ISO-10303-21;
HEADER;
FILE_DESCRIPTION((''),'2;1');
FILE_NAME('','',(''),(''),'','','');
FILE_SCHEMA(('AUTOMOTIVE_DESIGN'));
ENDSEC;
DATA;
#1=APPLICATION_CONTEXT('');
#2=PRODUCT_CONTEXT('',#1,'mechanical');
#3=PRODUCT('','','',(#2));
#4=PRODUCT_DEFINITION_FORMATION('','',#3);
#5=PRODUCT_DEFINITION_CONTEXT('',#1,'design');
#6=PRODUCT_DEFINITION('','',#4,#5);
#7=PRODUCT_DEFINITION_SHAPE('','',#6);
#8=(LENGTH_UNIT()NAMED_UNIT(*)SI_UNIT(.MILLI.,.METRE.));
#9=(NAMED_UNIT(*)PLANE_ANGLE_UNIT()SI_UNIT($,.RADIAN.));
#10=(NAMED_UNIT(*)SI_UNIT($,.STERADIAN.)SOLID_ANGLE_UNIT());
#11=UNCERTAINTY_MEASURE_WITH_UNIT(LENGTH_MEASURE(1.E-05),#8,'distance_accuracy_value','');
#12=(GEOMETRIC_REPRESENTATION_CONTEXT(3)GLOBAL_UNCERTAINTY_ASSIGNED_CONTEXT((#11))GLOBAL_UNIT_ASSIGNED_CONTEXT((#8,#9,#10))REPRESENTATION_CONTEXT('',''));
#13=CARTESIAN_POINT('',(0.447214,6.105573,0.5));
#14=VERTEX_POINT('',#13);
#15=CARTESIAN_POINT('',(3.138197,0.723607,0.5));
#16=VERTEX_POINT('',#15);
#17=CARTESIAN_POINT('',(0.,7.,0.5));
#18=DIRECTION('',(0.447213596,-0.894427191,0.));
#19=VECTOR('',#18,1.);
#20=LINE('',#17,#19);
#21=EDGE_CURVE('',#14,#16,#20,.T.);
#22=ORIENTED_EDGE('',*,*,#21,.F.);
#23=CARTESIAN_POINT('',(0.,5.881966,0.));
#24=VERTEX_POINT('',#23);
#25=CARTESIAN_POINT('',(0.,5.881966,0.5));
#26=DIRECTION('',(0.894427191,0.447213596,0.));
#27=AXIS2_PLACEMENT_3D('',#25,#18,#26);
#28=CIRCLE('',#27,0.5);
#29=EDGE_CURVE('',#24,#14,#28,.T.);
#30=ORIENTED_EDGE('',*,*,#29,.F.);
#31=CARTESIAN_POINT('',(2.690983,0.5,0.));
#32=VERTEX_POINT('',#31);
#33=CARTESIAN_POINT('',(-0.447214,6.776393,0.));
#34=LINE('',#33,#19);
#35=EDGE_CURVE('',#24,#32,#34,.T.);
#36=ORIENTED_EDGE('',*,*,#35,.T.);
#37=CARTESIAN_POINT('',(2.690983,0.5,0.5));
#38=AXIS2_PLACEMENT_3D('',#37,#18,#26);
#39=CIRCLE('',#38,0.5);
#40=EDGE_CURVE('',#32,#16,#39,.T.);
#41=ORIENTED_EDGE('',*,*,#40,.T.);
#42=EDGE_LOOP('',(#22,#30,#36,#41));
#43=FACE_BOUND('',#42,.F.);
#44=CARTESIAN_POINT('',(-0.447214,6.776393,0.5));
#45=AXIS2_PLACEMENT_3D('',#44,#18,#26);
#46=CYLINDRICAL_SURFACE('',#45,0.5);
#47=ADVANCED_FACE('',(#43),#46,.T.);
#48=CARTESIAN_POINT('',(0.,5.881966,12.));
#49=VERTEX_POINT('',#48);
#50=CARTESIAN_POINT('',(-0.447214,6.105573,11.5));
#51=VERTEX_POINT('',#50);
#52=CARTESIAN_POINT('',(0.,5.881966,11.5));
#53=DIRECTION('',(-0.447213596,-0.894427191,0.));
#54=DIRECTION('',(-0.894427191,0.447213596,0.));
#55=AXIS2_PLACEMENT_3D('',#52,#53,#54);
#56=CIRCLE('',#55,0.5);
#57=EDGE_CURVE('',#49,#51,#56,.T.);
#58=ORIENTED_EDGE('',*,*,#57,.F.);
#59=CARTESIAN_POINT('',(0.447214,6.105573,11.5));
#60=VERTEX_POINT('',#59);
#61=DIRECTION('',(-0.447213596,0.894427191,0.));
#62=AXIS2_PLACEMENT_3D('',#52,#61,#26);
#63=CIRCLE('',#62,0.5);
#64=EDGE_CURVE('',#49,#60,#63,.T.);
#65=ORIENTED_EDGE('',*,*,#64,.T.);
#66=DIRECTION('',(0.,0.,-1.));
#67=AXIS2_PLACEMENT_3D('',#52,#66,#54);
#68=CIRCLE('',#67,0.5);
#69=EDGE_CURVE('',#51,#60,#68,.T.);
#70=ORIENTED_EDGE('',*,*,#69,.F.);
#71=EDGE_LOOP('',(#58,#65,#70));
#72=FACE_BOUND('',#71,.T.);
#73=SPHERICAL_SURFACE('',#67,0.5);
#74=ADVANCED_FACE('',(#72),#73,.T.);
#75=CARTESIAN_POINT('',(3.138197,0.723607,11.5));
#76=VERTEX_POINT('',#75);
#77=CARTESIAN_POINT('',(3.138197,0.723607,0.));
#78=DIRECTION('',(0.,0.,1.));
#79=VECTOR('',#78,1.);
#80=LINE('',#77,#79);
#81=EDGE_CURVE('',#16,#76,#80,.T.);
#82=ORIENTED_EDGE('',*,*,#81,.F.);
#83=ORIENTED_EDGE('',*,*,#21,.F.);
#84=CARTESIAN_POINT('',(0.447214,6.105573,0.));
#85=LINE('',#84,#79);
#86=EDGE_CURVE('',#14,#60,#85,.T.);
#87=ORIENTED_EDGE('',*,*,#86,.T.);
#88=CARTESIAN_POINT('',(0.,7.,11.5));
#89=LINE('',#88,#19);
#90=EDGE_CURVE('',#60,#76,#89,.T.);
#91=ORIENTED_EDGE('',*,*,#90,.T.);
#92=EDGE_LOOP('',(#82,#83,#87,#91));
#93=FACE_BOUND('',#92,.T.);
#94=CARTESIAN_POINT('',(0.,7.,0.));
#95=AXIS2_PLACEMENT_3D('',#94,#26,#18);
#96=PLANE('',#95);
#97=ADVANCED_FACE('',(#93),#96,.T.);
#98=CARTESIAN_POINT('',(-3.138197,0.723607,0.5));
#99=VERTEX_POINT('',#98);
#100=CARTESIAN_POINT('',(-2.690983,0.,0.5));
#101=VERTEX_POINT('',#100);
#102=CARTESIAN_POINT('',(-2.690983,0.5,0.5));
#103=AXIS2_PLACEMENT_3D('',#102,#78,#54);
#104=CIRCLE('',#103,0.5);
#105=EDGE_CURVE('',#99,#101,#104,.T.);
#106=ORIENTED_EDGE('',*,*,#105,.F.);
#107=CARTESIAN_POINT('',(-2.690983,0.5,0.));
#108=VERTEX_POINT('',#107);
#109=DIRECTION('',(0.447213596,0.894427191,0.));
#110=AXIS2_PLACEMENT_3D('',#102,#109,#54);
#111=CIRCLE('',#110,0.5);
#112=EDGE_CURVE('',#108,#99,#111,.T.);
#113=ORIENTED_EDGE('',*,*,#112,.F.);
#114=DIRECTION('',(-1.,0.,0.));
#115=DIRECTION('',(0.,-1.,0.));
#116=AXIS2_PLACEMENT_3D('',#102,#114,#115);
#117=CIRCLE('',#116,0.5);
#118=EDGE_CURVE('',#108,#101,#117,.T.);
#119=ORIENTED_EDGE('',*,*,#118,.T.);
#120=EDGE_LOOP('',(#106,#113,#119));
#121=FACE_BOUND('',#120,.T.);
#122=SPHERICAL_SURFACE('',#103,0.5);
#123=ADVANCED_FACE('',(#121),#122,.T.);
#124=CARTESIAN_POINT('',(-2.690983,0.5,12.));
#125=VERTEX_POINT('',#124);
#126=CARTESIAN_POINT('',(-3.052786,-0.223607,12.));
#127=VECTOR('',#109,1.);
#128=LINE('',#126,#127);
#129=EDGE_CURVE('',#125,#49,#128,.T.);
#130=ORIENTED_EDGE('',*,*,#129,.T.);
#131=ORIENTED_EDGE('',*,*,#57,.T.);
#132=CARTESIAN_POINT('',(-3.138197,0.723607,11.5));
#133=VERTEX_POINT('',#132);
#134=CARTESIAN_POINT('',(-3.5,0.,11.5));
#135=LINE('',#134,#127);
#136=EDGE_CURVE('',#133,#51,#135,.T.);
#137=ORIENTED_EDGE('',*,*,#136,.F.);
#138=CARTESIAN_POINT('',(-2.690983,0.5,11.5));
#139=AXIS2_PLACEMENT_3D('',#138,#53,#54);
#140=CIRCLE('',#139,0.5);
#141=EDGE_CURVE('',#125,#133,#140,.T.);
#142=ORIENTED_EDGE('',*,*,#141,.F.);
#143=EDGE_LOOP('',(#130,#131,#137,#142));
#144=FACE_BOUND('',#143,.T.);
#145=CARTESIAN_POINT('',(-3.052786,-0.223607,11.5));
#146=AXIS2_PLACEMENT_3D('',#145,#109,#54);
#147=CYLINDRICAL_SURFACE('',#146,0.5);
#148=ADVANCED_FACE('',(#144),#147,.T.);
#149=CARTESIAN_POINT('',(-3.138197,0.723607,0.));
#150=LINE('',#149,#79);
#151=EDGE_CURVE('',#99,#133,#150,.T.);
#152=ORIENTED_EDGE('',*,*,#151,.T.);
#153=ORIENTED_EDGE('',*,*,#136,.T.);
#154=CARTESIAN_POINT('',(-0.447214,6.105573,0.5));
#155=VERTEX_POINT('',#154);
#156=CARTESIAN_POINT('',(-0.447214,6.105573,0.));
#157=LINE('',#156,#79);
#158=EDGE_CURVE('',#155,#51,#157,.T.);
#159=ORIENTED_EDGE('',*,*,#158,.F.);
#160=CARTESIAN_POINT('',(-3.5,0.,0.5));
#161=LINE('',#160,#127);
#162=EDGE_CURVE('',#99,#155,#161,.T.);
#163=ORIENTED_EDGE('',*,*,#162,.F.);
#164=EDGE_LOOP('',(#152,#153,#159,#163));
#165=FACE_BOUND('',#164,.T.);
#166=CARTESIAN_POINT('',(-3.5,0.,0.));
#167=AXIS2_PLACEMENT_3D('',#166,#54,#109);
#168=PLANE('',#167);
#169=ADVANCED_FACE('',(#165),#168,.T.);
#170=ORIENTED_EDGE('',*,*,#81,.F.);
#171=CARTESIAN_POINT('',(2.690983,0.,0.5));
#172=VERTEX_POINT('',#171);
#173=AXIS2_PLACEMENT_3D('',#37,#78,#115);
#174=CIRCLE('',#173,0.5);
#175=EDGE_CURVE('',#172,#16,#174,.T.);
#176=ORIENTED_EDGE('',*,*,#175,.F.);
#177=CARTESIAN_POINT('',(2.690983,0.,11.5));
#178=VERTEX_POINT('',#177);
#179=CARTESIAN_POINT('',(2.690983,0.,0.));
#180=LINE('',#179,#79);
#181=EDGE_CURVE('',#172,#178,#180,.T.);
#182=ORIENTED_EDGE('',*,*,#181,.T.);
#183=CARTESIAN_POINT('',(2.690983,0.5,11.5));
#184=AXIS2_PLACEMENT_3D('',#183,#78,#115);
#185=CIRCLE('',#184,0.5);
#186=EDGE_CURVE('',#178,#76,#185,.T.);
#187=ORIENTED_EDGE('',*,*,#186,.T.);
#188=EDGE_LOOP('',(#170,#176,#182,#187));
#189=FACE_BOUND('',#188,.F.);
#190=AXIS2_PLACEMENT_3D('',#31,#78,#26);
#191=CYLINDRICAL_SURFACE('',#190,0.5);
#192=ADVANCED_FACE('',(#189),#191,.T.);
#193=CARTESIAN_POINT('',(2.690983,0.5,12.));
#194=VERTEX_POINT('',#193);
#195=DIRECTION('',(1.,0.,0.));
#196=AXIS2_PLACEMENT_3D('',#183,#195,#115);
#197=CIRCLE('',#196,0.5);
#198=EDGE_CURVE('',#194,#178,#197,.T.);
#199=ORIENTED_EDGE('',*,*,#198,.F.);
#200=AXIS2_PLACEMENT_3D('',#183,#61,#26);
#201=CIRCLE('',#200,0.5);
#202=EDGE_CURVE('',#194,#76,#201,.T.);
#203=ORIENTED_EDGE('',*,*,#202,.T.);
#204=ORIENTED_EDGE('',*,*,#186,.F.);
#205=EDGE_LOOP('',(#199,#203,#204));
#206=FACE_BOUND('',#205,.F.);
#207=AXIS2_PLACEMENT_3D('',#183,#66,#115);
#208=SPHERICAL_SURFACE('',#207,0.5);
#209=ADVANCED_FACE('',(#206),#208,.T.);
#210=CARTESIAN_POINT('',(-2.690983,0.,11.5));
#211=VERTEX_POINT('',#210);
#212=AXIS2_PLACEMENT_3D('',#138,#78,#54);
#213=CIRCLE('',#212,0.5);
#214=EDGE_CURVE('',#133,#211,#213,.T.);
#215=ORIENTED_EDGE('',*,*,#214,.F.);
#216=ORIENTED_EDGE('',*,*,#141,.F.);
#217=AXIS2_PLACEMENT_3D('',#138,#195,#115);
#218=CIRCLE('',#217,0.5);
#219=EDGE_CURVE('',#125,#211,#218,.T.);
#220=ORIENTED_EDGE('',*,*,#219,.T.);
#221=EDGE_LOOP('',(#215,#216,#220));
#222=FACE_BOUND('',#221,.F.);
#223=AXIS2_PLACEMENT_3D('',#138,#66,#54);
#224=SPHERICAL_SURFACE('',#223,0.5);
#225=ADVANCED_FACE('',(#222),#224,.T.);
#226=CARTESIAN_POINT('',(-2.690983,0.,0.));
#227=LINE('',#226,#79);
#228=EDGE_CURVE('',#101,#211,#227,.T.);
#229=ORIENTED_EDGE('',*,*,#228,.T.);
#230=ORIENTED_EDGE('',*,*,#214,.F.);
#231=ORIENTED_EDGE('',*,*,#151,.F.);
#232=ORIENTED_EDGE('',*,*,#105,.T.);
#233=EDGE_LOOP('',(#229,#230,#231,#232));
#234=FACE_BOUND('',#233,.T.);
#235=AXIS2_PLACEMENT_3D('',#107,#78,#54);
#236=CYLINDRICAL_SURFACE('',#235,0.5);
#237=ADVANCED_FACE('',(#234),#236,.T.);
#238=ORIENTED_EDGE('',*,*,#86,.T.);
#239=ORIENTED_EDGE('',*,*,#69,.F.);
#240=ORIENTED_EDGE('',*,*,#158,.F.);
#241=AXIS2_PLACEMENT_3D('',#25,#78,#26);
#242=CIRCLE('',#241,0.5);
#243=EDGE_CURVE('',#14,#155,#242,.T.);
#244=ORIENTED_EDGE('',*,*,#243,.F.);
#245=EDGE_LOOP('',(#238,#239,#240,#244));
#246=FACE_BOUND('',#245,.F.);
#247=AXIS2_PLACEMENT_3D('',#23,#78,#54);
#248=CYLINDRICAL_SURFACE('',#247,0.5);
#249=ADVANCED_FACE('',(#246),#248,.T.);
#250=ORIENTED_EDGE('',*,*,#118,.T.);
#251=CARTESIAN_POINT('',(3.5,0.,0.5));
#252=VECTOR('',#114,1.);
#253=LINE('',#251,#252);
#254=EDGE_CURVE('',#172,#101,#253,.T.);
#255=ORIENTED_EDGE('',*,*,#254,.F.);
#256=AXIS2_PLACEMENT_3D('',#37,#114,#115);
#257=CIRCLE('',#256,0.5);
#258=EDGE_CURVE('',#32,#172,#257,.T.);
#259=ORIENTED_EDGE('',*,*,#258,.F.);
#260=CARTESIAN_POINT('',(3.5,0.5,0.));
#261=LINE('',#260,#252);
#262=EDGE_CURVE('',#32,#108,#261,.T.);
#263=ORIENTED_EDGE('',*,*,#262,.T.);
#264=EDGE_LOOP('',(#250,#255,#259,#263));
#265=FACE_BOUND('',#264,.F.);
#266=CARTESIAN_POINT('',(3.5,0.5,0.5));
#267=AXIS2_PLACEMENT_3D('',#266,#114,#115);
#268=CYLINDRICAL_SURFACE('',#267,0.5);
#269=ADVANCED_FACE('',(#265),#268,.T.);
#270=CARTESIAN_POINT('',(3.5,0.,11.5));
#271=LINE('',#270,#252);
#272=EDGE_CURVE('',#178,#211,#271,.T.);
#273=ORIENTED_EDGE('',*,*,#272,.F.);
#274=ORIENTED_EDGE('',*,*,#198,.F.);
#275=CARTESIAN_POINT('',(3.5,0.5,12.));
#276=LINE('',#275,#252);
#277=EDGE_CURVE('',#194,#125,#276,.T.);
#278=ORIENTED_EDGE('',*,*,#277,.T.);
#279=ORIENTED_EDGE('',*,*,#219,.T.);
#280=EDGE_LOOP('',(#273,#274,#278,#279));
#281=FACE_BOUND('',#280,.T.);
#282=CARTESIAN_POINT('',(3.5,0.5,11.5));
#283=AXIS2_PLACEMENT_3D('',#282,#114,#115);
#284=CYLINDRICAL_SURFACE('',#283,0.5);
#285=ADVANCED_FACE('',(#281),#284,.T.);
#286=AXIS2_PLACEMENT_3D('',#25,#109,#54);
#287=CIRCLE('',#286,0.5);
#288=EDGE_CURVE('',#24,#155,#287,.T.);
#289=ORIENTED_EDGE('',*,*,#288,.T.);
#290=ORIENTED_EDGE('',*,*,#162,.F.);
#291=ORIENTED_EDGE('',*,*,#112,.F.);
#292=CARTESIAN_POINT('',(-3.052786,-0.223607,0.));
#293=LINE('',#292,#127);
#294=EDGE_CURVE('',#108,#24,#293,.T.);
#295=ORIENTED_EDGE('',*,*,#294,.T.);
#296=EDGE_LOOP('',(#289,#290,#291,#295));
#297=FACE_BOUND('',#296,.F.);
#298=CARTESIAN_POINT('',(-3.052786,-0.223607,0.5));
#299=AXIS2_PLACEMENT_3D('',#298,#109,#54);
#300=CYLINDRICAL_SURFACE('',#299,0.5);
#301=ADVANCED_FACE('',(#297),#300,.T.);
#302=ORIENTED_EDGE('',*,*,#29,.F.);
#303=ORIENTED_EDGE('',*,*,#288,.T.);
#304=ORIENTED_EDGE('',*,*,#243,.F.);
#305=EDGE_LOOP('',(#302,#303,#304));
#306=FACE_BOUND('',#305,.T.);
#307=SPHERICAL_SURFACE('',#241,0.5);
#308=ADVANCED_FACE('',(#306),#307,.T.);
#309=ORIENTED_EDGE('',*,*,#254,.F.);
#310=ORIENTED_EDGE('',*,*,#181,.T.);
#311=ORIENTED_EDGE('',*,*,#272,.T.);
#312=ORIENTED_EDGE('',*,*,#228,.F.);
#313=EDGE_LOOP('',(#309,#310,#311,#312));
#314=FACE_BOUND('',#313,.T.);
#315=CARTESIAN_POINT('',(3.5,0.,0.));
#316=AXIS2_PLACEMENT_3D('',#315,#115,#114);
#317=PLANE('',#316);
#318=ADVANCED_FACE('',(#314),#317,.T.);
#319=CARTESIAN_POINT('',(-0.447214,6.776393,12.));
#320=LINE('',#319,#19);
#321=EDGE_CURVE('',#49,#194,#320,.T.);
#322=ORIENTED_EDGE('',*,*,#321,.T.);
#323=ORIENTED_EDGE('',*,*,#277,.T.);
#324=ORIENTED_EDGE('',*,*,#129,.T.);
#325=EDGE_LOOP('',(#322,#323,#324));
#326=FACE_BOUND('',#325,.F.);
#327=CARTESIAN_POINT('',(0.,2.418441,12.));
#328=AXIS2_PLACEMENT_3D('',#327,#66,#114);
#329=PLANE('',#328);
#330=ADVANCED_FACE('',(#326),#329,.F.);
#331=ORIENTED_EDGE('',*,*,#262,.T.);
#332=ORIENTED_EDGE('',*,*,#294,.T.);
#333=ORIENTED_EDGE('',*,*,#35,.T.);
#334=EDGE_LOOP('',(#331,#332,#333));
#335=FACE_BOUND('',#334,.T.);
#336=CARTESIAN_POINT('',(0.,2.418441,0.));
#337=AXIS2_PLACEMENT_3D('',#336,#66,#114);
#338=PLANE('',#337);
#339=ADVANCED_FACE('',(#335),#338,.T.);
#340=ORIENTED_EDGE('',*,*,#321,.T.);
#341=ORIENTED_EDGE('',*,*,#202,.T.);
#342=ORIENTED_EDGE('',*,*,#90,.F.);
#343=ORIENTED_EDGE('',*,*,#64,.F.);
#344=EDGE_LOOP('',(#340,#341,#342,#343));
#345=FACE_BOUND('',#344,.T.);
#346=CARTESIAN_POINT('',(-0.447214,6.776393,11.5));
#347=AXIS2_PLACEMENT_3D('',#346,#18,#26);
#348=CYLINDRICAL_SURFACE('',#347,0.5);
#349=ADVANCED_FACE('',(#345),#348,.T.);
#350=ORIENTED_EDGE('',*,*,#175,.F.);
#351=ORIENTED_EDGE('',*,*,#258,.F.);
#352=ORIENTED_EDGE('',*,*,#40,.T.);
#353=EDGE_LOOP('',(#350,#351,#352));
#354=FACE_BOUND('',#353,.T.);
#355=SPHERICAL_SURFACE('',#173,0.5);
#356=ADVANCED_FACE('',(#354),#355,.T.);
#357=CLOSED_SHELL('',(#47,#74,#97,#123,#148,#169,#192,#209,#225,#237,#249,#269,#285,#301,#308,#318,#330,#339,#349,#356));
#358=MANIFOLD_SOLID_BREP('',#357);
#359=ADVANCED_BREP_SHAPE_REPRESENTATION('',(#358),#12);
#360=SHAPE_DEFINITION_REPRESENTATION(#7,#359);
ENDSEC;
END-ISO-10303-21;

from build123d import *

# Parameters (mm, degrees)
PAD_DEPTH = 12
FILLET_R  = 0.5


with BuildPart() as part:
    # Sketch → Pad (new body)
    with BuildSketch(Plane.XY):
        Polygon((-3.5, 0), (0, 7), (3.5, 0), align=None)
    extrude(amount=PAD_DEPTH)

    # Fillet
    fillet_edges = [part.edges().sort_by_distance(p)[0] for p in [
        (-3.5, 0, 6),
        (-1.75, 3.5, 0),
        (0, 7, 6),
        (-1.75, 3.5, 12),
        (1.75, 3.5, 12),
        (1.75, 3.5, 0),
        (3.5, 0, 6),
        (0, 0, 12),
        (0, 0, 0),
    ]]
    fillet(fillet_edges, radius=FILLET_R)


solid = part.part
